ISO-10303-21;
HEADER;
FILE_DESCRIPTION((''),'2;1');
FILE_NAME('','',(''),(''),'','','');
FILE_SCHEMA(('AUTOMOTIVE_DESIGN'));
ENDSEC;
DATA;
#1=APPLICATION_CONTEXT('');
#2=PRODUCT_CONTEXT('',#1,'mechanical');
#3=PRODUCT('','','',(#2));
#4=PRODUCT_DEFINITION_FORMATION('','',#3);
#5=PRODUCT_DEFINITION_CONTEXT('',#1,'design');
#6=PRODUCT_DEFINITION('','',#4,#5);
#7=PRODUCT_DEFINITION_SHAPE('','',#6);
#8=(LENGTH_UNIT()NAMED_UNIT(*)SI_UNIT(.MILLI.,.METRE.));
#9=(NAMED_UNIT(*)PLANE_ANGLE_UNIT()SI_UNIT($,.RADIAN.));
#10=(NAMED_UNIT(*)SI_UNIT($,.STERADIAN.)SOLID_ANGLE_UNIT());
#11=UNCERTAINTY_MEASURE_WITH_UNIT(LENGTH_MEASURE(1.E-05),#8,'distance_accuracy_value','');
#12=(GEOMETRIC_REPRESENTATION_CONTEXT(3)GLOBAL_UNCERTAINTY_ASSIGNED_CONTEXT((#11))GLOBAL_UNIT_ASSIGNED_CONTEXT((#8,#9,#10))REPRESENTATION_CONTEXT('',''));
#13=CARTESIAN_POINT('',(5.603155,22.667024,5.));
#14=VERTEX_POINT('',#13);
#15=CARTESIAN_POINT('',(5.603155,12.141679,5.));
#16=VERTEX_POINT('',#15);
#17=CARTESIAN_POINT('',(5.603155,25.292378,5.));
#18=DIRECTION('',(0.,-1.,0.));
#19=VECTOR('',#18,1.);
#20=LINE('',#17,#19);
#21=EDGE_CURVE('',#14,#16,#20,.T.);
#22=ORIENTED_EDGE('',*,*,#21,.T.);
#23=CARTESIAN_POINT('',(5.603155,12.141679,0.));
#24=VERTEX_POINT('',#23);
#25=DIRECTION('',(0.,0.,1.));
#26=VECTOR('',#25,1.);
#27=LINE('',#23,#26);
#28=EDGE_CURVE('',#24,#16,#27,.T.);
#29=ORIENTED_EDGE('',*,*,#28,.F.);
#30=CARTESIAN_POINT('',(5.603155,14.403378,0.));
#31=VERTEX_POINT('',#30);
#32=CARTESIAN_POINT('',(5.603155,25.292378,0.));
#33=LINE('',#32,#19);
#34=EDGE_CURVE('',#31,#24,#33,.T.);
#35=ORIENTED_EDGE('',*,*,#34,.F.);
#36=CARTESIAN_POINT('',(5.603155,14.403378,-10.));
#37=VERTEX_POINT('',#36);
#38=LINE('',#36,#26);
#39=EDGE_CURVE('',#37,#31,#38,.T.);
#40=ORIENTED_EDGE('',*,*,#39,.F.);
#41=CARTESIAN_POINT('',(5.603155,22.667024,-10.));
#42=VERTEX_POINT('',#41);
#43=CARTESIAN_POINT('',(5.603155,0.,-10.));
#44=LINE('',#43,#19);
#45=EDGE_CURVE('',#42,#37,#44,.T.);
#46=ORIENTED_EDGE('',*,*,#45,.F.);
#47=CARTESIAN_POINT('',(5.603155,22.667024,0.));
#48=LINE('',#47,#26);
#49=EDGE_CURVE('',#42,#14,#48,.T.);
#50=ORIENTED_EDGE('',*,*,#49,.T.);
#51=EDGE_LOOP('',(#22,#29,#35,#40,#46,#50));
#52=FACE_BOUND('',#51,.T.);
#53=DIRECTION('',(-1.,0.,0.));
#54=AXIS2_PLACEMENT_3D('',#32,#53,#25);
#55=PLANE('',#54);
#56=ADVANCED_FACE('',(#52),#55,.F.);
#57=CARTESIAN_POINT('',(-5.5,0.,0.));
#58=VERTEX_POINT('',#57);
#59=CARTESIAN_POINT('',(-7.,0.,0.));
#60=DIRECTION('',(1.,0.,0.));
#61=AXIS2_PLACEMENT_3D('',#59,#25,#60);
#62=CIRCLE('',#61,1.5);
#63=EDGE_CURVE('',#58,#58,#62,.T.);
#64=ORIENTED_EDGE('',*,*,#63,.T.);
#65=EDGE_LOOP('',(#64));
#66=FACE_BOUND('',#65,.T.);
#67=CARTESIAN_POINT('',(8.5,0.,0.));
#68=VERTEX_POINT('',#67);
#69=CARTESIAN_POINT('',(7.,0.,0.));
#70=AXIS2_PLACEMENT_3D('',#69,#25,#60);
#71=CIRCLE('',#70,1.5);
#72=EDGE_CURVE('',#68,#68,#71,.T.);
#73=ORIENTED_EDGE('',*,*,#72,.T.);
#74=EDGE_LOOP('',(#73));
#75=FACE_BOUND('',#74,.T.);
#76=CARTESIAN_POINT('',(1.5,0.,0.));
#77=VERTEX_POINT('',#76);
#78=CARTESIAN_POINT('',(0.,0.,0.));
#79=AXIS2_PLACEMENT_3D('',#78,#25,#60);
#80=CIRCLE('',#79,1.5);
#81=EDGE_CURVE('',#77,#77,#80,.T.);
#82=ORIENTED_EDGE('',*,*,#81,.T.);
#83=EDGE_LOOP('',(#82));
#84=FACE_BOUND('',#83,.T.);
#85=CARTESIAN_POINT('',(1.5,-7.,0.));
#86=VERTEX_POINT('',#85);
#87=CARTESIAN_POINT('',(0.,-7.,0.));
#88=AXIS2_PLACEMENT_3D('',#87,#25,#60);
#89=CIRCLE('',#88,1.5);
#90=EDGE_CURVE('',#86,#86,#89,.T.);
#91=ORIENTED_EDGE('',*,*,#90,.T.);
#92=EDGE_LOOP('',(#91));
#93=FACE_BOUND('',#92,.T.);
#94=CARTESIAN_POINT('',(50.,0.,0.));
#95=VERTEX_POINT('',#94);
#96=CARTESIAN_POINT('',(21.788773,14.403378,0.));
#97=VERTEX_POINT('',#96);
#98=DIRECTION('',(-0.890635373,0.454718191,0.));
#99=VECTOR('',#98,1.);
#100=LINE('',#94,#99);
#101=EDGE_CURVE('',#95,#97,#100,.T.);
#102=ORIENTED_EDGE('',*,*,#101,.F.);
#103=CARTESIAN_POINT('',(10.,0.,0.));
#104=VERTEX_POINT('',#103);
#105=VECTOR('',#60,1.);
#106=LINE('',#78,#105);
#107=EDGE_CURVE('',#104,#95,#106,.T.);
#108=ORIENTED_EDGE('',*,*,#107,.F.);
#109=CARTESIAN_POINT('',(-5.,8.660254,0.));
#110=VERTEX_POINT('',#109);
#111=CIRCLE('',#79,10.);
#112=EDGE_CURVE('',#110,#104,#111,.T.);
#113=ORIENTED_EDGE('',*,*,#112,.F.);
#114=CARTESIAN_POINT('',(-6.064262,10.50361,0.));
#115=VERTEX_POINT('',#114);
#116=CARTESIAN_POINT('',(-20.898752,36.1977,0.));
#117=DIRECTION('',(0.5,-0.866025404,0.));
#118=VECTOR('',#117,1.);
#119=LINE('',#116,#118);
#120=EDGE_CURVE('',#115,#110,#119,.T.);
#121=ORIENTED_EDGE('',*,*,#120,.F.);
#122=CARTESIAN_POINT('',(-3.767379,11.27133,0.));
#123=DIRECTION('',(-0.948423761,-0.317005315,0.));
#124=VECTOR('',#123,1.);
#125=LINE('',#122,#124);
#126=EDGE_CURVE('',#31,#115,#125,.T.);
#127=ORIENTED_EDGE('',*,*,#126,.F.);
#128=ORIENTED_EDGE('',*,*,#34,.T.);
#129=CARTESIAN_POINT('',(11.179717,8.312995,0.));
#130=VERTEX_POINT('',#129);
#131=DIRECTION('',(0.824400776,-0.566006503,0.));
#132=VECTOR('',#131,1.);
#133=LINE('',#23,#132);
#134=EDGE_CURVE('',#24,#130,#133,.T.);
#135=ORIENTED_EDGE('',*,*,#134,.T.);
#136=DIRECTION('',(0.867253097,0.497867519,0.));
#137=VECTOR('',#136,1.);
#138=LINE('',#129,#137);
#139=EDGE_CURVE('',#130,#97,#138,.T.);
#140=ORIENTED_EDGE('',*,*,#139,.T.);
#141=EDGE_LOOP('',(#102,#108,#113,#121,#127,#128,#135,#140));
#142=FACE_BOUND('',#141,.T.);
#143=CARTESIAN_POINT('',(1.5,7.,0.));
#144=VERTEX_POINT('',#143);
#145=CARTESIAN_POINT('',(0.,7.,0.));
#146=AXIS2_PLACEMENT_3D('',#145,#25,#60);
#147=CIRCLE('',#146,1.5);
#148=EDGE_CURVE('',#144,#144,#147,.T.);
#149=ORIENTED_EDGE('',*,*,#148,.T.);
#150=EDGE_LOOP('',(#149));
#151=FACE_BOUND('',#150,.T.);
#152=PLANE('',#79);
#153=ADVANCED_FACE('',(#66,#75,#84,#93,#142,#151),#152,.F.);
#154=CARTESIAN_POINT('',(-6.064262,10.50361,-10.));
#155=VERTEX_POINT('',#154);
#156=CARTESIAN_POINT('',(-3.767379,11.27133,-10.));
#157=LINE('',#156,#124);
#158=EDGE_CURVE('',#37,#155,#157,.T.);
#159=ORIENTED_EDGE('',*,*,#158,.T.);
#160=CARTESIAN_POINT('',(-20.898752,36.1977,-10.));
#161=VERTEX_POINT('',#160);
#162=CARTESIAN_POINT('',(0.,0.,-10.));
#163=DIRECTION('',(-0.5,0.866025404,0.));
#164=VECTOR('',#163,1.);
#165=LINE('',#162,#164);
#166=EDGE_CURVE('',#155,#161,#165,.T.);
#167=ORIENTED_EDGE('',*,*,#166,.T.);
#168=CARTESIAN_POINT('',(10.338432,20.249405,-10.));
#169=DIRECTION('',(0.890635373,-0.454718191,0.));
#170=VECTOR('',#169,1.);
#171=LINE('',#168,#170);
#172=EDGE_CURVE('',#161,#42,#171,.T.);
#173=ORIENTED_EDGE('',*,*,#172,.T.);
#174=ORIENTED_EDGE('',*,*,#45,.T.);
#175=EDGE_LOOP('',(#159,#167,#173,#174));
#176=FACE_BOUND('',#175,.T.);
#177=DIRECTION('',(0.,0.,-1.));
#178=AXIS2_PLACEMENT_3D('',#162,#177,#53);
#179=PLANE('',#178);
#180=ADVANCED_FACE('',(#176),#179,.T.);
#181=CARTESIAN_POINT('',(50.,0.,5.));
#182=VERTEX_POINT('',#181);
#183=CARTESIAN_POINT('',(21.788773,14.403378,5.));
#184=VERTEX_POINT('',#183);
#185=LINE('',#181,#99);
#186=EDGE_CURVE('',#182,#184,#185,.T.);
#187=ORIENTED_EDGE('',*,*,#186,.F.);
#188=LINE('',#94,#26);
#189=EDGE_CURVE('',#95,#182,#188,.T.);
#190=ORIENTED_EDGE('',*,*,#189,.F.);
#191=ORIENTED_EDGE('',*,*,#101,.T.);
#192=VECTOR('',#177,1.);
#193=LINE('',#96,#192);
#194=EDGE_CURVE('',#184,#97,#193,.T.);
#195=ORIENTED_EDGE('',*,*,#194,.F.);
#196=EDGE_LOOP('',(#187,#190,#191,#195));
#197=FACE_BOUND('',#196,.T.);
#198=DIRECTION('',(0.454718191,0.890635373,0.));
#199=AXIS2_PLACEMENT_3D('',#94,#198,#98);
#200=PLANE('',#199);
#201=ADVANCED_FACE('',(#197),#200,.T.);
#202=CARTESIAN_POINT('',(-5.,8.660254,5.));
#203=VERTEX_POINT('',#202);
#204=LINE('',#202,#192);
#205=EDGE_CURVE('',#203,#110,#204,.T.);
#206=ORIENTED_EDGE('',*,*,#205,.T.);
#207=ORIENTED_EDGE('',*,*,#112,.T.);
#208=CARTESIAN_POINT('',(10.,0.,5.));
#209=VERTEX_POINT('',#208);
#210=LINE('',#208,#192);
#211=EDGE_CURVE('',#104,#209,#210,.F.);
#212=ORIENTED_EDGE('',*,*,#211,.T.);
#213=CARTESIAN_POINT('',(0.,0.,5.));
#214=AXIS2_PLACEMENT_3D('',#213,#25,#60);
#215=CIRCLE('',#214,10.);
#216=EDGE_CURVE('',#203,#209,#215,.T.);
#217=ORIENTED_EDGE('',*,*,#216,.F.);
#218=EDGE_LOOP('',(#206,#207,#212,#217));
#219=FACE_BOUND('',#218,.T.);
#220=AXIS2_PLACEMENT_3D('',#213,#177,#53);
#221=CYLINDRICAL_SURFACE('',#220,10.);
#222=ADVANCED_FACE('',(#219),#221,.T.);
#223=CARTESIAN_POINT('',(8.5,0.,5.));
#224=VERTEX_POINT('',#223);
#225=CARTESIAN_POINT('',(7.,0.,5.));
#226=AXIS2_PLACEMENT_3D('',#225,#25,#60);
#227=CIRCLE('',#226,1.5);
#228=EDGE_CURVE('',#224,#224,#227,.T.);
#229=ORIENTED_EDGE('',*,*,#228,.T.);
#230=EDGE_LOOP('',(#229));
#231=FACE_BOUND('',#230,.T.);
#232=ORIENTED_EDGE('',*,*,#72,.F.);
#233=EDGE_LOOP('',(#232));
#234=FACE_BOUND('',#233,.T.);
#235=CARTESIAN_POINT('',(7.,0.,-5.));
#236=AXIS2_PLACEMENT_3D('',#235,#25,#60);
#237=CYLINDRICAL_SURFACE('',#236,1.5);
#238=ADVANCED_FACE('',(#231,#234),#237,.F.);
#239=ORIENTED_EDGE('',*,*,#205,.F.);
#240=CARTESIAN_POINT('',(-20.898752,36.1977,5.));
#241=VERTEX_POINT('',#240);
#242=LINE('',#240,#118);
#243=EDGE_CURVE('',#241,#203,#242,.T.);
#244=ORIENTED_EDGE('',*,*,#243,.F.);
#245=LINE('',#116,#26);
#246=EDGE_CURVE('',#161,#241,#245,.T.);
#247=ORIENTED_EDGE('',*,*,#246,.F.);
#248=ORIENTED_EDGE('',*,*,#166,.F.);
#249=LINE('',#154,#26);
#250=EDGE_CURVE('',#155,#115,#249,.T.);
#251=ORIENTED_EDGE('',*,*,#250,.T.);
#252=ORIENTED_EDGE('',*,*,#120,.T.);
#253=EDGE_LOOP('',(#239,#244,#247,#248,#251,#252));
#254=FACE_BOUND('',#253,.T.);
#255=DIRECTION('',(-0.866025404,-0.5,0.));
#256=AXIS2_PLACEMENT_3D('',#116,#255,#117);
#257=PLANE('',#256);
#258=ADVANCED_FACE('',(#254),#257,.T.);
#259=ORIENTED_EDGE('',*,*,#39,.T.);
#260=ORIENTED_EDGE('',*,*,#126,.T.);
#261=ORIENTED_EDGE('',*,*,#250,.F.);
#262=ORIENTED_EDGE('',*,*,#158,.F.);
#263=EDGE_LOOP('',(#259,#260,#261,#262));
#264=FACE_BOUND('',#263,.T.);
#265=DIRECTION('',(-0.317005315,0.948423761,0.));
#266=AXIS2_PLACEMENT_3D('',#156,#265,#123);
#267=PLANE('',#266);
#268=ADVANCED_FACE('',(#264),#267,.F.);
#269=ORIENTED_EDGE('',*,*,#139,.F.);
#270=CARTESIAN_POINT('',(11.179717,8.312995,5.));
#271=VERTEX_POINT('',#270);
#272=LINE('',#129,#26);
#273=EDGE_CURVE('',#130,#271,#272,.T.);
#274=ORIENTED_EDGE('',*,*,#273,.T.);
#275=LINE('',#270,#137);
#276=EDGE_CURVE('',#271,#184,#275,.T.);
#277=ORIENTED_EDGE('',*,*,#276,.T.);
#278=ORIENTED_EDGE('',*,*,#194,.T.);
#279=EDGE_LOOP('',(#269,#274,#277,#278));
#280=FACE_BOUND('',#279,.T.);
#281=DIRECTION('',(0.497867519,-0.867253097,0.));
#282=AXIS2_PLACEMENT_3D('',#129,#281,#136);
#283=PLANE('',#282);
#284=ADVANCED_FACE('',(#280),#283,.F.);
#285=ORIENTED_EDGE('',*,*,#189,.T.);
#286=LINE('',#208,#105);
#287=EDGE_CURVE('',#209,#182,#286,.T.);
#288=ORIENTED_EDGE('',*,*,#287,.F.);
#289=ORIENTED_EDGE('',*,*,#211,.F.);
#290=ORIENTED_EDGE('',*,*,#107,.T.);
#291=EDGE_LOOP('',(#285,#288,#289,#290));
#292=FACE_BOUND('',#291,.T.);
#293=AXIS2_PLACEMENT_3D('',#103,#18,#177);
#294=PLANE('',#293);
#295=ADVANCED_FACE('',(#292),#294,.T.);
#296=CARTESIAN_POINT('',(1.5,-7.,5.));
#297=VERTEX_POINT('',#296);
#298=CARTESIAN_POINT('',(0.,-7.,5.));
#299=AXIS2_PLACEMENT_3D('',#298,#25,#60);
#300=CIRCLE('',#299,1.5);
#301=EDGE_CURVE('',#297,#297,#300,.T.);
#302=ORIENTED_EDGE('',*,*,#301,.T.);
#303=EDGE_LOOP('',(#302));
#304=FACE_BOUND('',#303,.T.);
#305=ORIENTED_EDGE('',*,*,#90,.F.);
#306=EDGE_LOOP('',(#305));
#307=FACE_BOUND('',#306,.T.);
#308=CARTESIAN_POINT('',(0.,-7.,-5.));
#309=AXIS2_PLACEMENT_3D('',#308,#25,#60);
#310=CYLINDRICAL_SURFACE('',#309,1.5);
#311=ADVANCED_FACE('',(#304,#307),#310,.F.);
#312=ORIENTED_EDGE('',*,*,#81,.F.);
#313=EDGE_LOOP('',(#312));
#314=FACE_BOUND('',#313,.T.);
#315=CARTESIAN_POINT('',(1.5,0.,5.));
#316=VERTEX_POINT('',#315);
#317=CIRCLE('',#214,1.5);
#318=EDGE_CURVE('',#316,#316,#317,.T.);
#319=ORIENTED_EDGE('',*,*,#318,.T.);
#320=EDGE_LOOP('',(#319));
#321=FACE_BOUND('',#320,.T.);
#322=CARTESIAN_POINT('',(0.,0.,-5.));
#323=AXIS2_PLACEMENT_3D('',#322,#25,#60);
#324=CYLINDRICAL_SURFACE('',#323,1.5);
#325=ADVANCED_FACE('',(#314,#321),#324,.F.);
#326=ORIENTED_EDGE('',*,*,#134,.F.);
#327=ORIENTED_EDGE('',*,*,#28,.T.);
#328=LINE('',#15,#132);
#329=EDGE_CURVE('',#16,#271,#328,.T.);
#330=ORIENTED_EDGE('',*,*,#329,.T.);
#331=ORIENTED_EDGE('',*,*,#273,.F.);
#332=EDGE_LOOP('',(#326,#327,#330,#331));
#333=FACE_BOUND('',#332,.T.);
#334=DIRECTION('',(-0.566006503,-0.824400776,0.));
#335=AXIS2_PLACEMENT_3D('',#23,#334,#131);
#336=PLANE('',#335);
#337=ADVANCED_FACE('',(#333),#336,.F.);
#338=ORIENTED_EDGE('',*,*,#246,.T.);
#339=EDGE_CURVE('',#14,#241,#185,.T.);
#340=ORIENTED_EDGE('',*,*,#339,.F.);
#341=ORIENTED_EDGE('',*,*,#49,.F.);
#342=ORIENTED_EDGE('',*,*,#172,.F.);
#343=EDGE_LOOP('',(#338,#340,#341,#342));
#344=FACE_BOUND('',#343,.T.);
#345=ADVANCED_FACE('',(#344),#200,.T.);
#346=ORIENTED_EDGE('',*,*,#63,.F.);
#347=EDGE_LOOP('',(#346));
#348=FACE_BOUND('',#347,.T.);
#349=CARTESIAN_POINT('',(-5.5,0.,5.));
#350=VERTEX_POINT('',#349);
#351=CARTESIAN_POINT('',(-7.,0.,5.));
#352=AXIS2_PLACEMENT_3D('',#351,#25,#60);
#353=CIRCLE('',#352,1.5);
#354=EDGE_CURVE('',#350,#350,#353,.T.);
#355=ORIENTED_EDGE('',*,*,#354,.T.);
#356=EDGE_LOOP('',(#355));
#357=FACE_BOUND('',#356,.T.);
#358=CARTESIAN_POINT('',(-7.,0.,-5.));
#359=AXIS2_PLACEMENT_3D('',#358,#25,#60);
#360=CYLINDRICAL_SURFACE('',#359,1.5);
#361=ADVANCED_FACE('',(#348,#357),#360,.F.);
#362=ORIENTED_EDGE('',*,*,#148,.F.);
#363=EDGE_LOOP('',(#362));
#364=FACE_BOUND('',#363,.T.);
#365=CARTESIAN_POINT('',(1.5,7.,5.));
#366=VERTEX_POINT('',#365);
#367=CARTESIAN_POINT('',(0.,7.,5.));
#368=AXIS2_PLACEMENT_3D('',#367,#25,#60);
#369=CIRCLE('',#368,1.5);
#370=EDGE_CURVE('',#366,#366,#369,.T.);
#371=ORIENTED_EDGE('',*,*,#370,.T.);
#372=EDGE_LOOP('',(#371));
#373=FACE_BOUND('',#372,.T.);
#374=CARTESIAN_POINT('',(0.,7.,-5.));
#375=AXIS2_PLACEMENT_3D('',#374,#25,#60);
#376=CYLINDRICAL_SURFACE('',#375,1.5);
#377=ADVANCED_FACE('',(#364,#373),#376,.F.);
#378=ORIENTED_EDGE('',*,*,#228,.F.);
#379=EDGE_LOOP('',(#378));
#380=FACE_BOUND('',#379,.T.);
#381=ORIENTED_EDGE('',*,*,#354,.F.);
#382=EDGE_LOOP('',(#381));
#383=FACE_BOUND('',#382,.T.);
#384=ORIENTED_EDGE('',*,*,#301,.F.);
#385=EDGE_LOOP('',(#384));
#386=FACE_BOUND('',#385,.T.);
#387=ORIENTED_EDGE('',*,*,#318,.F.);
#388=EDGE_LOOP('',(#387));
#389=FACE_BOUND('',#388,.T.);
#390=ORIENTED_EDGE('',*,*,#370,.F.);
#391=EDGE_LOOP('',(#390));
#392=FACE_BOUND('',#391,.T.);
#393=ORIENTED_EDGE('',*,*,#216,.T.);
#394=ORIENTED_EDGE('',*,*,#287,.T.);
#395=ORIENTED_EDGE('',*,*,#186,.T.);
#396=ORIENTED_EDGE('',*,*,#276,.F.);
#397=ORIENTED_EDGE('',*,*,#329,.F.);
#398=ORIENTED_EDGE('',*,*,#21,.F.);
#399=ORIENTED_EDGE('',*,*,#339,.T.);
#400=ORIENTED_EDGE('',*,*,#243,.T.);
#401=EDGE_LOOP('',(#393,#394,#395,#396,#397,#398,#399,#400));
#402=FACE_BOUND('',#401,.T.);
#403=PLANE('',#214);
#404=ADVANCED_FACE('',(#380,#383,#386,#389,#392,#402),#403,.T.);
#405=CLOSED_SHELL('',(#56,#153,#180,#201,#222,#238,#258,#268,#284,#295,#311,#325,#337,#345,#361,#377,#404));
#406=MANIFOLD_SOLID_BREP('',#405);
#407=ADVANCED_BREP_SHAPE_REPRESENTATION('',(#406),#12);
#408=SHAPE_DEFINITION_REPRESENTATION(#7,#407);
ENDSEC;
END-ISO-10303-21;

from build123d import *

# Parameters (mm, degrees)
SKETCH_1_R          = 10
EXTRUDE_1_DEPTH     = 5
EXTRUDE_2_DEPTH     = 5
CUT_EXTRUDE_1_DEPTH = 5
EXTRUDE_3_DEPTH     = 10
SKETCH_5_R          = 1.5
CUT_EXTRUDE_2_DEPTH = 10
SKETCH_6_R          = 1.5
CUT_EXTRUDE_3_DEPTH = 10


with BuildPart() as part:
    # 草图1 → 凸台-拉伸1 (new body)
    with BuildSketch(Plane.XY):
        Circle(SKETCH_1_R)
    extrude(amount=EXTRUDE_1_DEPTH)

    # 草图2 → 凸台-拉伸2 (add)
    with BuildSketch(Plane.XY.offset(5)):
        Polygon((10, 0), (50, 0), (-20.898751954, 36.197700198), (0, 0), align=None)
    extrude(amount=-EXTRUDE_2_DEPTH)

    # 草图3 → 切除-拉伸1 (cut)
    with BuildSketch(Plane.XY.offset(5)):
        Polygon((5.603154877, 25.292377819), (5.603154877, 12.141678981), (11.179717043, 8.31299451), (24.663344965, 16.053595724), align=None)
    extrude(amount=-CUT_EXTRUDE_1_DEPTH, mode=Mode.SUBTRACT)

    # 草图4 → 凸台-拉伸3 (add)
    with BuildSketch(Plane(origin=(0, 0, 0), x_dir=(-1, 0, 0), z_dir=(0, 0, -1))):
        Polygon((-5.603154877, 22.667023681), (-5.603154877, 14.403378326), (6.064261942, 10.503609794), (20.898751954, 36.197700198), align=None)
    extrude(amount=EXTRUDE_3_DEPTH)

    # 草图5 → 切除-拉伸2 (cut)
    with BuildSketch(Plane.XY.offset(5)):
        with Locations((0, 7)):
            Circle(SKETCH_5_R)
        with Locations((7, 0)):
            Circle(SKETCH_5_R)
        with Locations((0, -7)):
            Circle(SKETCH_5_R)
        with Locations((-7, 0)):
            Circle(SKETCH_5_R)
    extrude(amount=-CUT_EXTRUDE_2_DEPTH, mode=Mode.SUBTRACT)

    # 草图6 → 切除-拉伸3 (cut)
    with BuildSketch(Plane.XY.offset(5)):
        Circle(SKETCH_6_R)
    extrude(amount=-CUT_EXTRUDE_3_DEPTH, mode=Mode.SUBTRACT)


solid = part.part
